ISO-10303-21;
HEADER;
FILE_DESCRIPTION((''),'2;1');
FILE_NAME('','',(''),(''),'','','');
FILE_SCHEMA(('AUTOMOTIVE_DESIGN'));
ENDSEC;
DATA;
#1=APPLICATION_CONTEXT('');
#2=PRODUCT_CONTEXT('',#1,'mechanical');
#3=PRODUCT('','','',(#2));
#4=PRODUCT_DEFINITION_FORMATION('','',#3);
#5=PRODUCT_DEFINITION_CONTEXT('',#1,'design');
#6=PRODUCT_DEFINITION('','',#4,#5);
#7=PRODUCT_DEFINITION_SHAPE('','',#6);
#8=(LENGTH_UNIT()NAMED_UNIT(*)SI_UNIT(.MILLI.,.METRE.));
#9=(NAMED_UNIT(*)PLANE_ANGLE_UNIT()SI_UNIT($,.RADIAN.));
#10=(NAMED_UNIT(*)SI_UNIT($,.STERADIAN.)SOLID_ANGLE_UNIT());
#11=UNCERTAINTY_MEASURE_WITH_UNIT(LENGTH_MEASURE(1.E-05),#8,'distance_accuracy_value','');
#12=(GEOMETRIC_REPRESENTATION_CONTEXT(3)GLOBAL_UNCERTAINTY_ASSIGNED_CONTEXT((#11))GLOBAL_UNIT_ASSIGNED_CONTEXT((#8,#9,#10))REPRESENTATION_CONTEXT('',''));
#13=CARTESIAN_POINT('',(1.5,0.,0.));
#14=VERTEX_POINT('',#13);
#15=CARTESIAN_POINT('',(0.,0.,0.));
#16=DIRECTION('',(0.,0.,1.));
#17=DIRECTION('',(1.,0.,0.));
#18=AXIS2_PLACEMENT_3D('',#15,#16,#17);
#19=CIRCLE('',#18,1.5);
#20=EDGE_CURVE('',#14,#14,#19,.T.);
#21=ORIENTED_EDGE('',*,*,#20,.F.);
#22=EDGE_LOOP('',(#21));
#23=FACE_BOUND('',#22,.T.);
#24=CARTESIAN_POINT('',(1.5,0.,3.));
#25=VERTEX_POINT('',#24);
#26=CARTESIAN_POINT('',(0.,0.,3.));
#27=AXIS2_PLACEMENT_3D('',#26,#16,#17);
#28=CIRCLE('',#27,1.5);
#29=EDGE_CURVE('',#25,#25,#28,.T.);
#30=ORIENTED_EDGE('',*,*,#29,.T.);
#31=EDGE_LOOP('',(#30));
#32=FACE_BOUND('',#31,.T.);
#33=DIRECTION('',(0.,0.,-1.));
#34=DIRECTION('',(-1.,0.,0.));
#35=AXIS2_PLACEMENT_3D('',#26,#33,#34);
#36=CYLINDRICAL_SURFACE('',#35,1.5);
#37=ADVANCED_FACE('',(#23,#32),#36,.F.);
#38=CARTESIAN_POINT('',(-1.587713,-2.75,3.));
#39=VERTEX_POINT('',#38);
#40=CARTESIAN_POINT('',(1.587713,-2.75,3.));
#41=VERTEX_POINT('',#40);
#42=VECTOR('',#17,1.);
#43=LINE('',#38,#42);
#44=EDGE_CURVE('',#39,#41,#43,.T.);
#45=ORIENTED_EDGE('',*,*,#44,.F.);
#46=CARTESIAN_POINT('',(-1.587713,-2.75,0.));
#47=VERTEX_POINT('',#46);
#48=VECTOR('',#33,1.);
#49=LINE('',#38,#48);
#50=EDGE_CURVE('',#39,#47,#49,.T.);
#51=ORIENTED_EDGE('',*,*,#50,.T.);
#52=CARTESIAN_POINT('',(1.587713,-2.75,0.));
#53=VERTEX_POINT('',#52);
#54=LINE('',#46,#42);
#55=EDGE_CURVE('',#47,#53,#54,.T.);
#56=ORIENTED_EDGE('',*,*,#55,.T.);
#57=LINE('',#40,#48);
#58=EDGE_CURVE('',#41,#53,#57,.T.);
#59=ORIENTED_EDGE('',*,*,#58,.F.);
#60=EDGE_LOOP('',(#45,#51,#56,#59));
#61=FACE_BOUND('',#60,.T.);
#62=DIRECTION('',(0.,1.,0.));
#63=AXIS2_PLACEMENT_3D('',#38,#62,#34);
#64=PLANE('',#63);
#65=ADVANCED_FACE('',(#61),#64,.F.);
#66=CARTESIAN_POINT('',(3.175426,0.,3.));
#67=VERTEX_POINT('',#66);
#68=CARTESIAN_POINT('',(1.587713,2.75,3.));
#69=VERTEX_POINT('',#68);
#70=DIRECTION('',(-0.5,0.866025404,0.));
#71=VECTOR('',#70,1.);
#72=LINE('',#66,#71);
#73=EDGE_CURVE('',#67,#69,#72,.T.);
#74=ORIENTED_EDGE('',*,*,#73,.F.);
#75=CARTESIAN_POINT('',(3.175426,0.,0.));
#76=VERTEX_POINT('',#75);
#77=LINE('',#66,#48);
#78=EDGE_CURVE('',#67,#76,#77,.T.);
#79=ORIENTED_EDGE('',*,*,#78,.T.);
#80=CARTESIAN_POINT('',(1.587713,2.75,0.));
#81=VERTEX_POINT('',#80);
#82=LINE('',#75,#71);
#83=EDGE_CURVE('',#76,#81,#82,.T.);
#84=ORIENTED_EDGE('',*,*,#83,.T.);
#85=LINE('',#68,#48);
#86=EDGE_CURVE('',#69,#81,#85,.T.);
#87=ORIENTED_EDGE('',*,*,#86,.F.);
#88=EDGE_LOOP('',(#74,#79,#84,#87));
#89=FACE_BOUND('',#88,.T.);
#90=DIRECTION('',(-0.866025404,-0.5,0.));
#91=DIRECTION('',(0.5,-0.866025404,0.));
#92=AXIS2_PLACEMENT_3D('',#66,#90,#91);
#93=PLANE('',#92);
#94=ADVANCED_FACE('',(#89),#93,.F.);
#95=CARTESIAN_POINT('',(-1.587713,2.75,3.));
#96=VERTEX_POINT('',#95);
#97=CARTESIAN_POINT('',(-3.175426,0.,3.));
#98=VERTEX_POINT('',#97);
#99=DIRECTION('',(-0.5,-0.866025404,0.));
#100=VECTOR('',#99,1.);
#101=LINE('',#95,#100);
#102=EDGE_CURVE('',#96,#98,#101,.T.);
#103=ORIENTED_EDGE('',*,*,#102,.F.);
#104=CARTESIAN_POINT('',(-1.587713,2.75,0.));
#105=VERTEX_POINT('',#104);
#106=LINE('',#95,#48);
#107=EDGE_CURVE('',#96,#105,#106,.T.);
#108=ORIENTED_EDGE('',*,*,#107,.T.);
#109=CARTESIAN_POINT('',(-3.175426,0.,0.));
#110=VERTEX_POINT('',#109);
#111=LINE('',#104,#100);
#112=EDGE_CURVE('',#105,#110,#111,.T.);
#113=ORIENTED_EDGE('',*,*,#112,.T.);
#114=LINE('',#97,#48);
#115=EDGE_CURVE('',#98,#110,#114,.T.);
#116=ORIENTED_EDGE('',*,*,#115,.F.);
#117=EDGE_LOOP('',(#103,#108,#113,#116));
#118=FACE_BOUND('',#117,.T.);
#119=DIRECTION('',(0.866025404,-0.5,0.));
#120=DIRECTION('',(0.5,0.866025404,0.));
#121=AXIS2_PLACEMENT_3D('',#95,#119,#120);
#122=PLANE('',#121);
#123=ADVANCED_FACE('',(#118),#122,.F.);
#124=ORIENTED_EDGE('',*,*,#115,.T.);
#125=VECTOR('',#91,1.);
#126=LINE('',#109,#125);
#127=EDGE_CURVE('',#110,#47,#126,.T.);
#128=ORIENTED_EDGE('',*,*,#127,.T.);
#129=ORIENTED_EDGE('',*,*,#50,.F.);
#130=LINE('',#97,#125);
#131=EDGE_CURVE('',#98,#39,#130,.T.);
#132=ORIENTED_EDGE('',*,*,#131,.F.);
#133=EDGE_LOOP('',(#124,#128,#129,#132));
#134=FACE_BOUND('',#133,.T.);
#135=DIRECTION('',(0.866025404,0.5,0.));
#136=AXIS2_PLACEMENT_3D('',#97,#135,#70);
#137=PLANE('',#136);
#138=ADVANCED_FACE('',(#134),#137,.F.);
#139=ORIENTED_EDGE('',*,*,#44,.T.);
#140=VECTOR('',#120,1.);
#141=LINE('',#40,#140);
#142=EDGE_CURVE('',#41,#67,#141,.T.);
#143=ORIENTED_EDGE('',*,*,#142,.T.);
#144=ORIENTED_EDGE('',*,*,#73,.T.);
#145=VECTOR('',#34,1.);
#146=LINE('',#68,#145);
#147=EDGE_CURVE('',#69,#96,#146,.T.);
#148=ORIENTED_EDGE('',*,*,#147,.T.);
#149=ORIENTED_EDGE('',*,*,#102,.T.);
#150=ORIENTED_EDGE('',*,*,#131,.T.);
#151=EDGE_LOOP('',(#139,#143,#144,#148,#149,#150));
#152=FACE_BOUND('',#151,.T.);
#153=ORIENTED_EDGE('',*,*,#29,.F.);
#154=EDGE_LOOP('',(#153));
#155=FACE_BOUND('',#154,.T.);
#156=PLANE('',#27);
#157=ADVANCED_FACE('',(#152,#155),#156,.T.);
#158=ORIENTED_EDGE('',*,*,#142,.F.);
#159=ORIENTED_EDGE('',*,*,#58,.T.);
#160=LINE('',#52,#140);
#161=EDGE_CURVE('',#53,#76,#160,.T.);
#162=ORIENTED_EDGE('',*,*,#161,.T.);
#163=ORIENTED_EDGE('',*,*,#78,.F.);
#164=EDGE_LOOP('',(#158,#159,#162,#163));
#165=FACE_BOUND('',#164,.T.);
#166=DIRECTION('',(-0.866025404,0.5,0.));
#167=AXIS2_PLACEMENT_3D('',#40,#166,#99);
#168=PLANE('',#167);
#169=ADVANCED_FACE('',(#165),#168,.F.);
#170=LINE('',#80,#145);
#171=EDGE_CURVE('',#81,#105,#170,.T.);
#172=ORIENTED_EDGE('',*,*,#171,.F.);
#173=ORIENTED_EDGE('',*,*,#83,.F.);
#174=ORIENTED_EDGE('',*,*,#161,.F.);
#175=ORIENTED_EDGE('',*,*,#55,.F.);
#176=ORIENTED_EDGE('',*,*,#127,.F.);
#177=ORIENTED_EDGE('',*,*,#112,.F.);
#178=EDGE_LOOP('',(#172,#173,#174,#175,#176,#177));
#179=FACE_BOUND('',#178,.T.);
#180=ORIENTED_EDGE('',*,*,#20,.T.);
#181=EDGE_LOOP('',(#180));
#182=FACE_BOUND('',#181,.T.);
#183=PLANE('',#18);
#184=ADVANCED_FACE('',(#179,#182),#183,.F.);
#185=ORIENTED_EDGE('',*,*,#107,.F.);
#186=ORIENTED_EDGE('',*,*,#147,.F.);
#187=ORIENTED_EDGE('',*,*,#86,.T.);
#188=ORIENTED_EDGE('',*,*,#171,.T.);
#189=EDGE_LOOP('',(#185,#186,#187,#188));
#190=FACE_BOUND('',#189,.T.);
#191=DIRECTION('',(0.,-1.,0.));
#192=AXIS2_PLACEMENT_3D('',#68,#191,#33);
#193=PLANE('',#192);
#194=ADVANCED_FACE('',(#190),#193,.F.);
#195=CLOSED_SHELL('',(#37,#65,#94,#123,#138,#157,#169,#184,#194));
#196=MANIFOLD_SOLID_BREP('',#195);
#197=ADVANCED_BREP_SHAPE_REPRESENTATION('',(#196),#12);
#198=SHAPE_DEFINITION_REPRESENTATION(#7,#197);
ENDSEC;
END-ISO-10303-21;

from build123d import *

# Parameters (mm, degrees)
SKETCH_2_R      = 1.5
EXTRUDE_1_DEPTH = 3


with BuildPart() as part:
    # ｽｹｯﾁ2 → ﾎﾞｽ - 押し出し1 (new body)
    with BuildSketch(Plane.XY):
        Polygon((3.175426481, 0), (1.58771324, 2.75), (-1.58771324, 2.75), (-3.175426481, 0), (-1.58771324, -2.75), (1.58771324, -2.75), align=None)
        Circle(SKETCH_2_R, mode=Mode.SUBTRACT)
    extrude(amount=EXTRUDE_1_DEPTH)


solid = part.part
